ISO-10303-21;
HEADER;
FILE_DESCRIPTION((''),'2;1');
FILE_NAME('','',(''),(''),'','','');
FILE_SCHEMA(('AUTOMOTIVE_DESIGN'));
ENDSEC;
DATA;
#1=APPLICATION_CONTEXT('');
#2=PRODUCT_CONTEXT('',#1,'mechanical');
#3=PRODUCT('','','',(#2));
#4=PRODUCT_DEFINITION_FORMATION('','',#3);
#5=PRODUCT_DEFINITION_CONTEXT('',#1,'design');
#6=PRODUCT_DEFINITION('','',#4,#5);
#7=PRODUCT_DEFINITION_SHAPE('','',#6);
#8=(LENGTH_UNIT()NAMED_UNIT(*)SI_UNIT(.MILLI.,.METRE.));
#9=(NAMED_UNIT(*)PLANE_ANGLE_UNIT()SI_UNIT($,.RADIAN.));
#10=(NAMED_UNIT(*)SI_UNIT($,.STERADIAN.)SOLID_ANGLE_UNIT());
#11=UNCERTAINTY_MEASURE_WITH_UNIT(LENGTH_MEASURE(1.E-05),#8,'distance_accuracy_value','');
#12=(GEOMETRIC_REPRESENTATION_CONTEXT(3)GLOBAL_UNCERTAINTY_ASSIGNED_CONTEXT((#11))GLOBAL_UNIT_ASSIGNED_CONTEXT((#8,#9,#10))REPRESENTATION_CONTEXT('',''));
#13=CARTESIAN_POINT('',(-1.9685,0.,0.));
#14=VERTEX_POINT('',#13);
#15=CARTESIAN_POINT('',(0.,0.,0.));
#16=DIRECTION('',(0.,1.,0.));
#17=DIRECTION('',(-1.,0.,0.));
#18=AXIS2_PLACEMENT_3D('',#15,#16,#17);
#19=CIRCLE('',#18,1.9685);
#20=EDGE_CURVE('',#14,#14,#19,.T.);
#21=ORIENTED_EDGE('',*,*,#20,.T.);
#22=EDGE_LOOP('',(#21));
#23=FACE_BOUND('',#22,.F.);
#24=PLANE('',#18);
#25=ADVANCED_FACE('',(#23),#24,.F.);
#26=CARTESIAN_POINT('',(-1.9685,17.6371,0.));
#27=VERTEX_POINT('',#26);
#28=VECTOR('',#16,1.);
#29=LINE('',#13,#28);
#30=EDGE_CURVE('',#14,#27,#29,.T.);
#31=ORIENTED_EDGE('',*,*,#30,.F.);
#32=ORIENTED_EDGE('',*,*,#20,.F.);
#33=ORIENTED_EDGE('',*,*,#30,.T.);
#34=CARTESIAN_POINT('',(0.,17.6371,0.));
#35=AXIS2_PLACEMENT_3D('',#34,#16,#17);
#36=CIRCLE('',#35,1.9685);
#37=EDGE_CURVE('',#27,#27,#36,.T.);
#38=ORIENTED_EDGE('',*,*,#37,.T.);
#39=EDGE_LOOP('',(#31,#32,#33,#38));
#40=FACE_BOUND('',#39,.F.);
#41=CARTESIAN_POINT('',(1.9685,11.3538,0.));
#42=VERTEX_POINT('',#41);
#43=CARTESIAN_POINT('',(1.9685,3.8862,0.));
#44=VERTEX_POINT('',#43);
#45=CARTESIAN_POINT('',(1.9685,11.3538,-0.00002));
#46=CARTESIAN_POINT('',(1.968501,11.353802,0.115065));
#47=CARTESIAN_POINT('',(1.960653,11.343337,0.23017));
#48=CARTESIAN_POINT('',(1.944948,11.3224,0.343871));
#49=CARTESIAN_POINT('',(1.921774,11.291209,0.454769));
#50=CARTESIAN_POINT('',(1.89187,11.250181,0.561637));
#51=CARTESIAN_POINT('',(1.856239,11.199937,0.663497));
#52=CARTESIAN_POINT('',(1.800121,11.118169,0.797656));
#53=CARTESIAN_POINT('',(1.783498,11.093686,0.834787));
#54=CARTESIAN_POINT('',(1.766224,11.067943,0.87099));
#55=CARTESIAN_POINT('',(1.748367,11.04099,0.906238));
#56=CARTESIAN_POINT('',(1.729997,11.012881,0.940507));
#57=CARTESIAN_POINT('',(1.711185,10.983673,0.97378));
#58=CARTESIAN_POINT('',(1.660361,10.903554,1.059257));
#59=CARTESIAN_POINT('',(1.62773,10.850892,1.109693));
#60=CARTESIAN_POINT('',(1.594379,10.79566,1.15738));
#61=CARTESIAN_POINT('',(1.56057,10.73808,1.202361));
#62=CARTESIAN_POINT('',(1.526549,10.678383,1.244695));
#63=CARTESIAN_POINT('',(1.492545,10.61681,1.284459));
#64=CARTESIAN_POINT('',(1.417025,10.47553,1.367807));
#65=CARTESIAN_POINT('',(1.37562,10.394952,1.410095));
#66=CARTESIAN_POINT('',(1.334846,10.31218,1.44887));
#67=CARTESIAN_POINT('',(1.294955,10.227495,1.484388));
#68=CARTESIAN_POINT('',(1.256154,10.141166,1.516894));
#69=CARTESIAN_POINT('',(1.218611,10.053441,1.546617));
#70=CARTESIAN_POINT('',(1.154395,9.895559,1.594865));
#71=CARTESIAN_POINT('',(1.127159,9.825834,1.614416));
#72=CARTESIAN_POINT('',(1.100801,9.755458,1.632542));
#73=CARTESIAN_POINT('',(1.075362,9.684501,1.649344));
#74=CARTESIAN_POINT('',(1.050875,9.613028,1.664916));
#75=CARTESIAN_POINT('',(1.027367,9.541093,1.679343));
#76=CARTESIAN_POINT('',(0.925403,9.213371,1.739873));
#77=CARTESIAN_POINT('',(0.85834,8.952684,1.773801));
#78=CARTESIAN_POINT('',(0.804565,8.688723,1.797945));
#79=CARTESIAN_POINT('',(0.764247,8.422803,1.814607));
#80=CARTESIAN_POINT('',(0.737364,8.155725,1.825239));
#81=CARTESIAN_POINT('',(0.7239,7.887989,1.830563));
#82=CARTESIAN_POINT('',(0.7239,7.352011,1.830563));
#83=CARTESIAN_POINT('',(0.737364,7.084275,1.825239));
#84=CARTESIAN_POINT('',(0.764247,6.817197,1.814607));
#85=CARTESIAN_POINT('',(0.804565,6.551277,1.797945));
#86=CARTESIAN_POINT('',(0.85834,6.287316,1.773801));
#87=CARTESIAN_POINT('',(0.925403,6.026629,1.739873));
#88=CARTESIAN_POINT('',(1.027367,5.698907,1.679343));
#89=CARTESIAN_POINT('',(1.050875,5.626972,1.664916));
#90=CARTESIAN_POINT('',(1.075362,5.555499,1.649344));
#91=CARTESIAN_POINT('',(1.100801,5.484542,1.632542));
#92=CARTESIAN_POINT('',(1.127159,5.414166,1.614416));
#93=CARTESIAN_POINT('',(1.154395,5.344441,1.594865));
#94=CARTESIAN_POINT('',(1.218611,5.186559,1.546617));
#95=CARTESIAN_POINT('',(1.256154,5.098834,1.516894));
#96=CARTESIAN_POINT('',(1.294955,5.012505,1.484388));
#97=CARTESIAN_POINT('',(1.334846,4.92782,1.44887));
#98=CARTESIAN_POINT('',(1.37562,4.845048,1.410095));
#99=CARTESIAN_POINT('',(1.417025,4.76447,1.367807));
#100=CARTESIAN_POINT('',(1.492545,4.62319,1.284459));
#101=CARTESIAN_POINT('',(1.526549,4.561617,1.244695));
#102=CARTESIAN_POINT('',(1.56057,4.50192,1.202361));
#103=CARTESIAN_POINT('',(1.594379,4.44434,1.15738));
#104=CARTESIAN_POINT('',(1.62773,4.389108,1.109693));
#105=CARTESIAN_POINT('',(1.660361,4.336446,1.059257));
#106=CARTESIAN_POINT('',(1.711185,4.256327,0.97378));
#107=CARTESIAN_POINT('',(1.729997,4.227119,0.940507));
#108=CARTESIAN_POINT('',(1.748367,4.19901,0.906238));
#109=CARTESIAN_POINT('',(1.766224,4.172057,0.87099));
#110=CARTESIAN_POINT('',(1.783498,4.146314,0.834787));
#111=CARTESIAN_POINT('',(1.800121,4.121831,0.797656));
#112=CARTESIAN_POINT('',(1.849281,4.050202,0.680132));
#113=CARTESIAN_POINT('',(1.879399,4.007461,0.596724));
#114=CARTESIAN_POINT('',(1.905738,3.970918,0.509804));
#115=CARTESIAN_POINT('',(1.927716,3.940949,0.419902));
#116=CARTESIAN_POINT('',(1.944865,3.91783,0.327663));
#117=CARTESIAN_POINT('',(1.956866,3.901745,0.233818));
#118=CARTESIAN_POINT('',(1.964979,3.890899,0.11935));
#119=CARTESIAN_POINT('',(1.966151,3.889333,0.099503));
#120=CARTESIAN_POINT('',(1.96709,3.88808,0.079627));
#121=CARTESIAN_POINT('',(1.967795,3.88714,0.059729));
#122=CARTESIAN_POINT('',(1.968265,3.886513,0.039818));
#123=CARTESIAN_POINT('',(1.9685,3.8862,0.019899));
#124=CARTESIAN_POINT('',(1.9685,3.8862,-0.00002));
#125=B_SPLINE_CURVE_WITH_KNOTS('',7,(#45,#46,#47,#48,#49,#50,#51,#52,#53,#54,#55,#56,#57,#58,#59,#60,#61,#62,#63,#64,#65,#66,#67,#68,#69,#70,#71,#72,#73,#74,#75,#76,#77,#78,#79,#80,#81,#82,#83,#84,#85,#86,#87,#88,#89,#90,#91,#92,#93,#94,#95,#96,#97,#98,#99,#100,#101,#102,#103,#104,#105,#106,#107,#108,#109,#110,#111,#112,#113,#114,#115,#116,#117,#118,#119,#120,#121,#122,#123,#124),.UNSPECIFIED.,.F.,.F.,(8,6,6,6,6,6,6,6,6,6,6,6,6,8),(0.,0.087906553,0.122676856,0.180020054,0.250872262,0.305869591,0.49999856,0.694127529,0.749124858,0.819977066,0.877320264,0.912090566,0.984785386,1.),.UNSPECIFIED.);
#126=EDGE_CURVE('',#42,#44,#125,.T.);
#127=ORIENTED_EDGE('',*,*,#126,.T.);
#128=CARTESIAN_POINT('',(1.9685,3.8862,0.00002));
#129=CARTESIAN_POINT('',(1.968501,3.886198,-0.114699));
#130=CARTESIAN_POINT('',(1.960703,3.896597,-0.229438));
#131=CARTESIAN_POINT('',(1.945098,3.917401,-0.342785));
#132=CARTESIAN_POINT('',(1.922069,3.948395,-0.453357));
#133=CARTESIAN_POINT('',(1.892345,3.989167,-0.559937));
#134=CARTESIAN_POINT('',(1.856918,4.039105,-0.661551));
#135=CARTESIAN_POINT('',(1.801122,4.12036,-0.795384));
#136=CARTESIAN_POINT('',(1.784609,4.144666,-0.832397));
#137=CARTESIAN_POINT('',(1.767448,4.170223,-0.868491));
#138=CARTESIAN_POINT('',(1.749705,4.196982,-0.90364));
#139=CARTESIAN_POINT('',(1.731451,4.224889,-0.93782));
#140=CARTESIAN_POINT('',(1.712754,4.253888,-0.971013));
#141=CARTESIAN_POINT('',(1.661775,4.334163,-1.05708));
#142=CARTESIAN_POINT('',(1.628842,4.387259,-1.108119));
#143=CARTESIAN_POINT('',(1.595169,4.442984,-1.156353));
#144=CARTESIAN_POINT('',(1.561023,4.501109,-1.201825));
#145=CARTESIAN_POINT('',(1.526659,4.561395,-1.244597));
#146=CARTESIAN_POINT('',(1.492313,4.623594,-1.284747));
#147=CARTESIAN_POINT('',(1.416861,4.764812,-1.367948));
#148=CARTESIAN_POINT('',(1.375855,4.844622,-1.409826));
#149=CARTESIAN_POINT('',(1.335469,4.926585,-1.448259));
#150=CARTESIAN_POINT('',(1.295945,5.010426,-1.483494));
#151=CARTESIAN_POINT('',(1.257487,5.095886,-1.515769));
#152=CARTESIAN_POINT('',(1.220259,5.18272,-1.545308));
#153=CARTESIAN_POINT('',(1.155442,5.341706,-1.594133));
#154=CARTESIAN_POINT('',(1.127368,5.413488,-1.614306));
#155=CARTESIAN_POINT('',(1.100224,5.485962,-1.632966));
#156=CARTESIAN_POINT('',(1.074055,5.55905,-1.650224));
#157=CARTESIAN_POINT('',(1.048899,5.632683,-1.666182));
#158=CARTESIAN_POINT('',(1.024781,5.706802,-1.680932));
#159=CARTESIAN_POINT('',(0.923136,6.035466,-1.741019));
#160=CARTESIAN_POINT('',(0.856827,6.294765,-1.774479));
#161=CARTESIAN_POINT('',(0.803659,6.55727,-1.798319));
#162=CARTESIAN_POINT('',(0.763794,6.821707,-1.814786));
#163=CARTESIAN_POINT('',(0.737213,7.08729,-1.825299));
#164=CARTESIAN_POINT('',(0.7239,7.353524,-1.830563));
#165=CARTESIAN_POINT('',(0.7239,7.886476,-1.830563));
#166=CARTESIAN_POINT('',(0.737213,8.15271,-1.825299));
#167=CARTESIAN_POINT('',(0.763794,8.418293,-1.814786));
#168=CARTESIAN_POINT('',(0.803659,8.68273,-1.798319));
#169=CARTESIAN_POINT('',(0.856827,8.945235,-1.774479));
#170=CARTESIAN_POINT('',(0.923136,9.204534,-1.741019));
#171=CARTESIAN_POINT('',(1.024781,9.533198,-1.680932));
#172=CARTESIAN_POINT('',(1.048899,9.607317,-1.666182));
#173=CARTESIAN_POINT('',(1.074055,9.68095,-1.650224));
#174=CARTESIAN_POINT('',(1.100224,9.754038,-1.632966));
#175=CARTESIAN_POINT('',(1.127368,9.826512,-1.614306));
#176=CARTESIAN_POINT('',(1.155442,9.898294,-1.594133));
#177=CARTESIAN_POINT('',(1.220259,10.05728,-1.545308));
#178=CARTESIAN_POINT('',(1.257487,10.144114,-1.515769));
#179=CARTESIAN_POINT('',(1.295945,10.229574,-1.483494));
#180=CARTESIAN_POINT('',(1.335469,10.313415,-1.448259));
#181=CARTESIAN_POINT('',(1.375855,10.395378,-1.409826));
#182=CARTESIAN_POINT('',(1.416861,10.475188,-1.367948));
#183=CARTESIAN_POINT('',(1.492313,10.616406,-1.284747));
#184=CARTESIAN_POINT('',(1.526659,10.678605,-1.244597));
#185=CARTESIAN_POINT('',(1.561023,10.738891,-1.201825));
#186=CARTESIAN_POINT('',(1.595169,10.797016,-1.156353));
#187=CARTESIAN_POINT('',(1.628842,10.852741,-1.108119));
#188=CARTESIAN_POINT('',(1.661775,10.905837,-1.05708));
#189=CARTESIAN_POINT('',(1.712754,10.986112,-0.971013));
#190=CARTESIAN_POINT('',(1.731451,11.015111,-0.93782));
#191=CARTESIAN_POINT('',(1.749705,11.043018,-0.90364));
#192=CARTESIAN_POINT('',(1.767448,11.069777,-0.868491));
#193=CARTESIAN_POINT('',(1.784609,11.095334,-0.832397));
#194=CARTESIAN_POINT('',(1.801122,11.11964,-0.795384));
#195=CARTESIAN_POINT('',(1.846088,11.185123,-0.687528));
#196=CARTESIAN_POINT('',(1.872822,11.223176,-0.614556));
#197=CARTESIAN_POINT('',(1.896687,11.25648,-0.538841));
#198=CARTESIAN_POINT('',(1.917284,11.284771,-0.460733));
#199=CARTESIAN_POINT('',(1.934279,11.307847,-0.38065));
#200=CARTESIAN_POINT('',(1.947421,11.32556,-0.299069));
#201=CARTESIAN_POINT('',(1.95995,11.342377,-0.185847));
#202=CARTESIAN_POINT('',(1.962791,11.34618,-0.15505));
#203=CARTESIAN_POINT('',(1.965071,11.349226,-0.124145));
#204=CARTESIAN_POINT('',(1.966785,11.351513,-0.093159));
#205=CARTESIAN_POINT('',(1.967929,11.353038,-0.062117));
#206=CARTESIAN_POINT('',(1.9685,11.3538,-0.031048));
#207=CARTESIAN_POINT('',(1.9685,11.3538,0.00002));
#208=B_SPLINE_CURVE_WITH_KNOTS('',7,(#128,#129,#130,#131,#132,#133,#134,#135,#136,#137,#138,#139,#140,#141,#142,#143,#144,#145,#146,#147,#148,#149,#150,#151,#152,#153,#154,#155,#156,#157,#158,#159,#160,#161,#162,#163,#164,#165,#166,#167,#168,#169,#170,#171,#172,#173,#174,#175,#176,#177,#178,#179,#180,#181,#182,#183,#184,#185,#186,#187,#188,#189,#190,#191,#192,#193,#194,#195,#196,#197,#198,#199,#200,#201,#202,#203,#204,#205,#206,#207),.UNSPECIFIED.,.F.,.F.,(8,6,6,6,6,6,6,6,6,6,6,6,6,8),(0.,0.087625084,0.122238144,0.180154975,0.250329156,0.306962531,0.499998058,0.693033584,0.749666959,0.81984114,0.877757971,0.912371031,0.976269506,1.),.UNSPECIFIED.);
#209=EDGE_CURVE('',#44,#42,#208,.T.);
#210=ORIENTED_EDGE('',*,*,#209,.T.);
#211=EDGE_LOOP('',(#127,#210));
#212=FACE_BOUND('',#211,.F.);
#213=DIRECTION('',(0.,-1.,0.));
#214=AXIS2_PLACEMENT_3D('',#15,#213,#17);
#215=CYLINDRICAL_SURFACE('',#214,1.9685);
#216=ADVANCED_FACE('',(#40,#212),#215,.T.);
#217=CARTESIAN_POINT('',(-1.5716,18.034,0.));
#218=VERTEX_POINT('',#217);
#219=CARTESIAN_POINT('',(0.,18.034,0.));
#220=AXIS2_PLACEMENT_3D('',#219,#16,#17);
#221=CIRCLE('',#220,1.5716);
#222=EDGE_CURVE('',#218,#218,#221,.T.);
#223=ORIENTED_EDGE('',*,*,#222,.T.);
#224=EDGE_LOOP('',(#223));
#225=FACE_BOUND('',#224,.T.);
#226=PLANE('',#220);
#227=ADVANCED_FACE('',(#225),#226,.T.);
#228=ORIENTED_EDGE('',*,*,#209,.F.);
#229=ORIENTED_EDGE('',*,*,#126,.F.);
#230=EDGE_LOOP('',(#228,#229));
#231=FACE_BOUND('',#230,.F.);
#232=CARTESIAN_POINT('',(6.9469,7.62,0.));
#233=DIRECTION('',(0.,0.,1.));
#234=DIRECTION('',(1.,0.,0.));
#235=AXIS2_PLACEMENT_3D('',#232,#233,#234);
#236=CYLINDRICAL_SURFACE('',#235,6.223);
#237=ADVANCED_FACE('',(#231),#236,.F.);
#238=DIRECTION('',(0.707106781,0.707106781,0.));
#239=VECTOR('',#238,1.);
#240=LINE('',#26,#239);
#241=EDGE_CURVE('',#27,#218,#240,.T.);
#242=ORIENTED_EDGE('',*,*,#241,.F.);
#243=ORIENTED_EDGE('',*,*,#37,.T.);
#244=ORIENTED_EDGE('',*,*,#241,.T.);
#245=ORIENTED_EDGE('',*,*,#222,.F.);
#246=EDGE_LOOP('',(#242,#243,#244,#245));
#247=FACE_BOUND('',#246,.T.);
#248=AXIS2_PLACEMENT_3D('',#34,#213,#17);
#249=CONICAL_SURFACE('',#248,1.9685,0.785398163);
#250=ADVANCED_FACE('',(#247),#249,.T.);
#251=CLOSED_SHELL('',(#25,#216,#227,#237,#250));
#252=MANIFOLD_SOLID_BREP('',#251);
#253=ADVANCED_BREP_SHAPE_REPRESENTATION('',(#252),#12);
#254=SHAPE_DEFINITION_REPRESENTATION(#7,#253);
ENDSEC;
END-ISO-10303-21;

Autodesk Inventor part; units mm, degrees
ref_plane "YZ Plane" through (0, 0, 0) normal (1, 0, 0) x (0, 1, 0)
ref_plane "XZ Plane" through (0, 0, 0) normal (0, 1, 0) x (-1, 0, 0)
ref_plane "XY Plane" through (0, 0, 0) normal (0, 0, 1) x (1, 0, 0)
sketch "Sketch1" plane through (0, 0, 0) normal (0, 1, 0) x (-1, 0, 0)
  circle A0 centre (0, 0) radius 1.9685
  dimension "d0" = 3.937
extrude "Extrusion1" add sketch "Sketch1" along normal blind 18.034
sketch "Sketch2" plane through (0, 0, 0) normal (0, 0, 1) x (1, 0, 0)
  line L0 (1.9685, 18.034) -> (-1.9685, 18.034) projected
  line L1 (-1.9685, 0) -> (1.9685, 0) projected
  line L2 (1.9685, 0) -> (6.9469, 0) construction
  line L3 (-1.9685, 0) -> (1.9685, 0) projected
  line L4 (6.9469, 0) -> (6.9469, 7.62) construction
  circle A0 centre (6.9469, 7.62) radius 6.223
  point P0 (0, 0)
  dimension "d3" = 4.9784
  dimension "d4" = 7.62
  dimension "d5" = 12.446
extrude "Extrusion2" cut sketch "Sketch2" along normal through all both and the other way through all
thread "Thread1" size "8-32 UNC" class "2A" standard "ANSI Unified Screw Threads" length 5.08
chamfer "Chamfer1" distance 0.3969 angle 45 1 edges at (1.9685, 18.034, 0)
properties part number "Screwlock"
